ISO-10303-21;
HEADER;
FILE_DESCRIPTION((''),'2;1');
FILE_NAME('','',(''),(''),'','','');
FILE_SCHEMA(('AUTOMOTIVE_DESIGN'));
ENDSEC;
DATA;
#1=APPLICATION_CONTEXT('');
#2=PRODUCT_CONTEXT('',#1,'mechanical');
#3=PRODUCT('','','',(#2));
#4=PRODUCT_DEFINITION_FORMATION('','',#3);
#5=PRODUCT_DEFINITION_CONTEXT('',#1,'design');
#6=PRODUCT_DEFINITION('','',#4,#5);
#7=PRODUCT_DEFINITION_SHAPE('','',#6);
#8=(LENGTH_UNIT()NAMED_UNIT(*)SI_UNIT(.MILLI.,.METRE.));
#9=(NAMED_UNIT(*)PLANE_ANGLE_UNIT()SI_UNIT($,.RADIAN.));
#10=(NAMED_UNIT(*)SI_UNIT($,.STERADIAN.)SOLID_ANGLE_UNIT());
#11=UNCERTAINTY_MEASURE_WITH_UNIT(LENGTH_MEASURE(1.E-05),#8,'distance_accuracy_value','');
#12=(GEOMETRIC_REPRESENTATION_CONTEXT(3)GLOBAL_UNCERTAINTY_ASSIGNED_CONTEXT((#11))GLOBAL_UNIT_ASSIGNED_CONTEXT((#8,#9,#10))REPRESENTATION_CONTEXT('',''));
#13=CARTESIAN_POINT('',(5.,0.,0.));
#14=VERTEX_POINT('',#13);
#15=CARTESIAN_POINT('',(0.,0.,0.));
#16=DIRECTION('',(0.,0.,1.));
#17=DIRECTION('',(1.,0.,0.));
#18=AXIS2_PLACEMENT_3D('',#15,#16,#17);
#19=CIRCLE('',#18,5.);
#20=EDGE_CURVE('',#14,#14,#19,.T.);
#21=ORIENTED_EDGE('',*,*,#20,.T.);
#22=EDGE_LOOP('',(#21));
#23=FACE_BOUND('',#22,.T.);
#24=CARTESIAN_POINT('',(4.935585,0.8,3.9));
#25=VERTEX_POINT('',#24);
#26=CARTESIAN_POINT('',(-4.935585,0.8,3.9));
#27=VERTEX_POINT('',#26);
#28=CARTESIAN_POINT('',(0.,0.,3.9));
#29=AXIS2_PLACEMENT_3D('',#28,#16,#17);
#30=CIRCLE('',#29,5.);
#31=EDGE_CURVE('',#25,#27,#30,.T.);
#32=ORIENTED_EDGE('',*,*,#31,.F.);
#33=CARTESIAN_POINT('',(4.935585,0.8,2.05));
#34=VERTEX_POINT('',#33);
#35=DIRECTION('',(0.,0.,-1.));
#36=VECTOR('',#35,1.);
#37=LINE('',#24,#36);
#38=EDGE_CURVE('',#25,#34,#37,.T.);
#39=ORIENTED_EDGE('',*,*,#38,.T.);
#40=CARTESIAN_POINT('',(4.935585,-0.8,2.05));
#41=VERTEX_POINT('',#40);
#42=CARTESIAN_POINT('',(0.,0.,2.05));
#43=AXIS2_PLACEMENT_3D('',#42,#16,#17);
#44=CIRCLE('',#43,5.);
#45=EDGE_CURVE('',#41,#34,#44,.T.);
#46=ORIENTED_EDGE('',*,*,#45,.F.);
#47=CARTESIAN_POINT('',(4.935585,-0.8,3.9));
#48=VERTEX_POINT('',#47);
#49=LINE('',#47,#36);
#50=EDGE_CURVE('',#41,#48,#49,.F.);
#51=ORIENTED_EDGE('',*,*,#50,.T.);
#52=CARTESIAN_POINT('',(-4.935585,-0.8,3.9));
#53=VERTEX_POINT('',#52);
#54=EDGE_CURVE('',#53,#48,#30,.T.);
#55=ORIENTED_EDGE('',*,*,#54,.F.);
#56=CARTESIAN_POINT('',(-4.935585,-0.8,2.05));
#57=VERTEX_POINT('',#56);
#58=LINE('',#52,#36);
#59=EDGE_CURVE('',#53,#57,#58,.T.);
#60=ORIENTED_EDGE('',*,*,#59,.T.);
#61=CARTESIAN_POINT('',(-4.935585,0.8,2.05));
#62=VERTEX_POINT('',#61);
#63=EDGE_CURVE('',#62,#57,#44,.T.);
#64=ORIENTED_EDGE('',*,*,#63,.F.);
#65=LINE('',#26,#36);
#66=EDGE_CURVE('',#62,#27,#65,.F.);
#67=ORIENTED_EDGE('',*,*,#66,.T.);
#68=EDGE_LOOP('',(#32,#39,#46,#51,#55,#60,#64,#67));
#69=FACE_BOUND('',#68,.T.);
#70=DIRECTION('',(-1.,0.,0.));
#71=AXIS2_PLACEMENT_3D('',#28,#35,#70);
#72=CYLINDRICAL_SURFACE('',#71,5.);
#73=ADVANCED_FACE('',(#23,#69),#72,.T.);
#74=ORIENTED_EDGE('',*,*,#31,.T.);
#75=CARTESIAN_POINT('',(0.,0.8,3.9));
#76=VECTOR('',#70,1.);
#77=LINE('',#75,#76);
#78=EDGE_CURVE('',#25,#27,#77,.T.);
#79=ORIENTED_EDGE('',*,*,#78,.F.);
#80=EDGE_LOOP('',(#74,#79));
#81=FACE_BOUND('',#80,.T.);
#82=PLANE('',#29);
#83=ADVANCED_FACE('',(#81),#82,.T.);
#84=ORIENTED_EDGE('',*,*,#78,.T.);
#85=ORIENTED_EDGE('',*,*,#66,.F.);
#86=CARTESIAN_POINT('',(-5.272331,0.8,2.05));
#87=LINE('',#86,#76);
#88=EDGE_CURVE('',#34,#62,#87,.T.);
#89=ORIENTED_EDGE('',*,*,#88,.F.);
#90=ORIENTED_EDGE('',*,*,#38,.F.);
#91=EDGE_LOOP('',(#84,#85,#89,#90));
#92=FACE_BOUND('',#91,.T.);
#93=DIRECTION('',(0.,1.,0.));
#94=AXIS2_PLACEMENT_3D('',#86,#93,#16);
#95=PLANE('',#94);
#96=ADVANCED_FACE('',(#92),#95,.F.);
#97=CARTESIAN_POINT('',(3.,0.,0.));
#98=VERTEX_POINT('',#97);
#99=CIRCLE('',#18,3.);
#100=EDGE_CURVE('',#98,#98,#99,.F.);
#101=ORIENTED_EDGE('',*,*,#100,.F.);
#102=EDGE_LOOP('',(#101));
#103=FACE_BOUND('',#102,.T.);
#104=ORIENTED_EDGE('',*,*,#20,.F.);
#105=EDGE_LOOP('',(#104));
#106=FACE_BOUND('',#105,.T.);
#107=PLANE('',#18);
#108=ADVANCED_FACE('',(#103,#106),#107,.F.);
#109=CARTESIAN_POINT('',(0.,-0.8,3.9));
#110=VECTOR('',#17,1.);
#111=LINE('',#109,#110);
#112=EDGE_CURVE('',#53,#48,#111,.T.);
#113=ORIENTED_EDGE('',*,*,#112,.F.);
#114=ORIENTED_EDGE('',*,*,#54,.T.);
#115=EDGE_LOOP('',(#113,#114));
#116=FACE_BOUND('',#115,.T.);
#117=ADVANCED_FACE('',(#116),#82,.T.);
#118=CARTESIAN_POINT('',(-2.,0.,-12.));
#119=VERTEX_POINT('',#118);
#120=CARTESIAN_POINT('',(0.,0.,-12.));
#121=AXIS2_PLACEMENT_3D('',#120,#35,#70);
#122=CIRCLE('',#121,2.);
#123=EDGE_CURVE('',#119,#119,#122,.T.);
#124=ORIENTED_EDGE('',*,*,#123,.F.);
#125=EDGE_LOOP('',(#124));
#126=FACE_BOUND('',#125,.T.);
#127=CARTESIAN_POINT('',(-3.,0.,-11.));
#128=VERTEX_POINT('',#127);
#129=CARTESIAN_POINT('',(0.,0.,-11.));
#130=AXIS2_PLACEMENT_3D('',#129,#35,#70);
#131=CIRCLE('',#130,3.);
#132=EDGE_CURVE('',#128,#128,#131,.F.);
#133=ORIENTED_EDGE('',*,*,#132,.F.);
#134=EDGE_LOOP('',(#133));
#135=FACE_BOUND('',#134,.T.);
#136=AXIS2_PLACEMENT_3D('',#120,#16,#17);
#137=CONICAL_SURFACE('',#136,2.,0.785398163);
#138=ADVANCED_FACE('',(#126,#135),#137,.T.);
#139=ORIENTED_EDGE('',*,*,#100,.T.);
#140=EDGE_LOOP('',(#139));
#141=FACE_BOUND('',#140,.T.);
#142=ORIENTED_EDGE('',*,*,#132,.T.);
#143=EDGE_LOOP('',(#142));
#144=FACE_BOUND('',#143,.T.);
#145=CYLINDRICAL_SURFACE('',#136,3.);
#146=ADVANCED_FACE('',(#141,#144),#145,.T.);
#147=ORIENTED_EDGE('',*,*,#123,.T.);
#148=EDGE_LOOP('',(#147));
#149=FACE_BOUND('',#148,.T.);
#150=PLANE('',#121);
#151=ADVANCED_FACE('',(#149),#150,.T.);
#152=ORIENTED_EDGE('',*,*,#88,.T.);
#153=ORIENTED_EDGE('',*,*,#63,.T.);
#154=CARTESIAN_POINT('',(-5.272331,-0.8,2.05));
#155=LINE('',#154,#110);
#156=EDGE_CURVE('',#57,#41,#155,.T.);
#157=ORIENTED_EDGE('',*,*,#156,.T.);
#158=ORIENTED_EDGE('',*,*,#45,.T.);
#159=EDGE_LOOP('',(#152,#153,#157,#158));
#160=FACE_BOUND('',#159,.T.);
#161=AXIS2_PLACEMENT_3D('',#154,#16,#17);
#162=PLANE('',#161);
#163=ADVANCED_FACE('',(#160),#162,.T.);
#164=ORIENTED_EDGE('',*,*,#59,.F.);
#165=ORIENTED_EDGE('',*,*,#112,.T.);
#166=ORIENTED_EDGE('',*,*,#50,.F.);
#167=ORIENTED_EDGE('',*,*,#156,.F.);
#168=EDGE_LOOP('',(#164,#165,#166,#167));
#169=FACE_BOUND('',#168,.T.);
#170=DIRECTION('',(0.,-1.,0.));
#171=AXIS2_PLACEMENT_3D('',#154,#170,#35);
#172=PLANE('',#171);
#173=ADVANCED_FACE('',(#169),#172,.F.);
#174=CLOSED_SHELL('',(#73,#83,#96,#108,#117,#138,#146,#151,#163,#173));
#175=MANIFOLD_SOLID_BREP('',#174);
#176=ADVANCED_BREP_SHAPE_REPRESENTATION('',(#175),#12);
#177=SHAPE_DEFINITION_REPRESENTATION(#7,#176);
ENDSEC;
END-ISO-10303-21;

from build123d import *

# Parameters (mm, degrees)
SKETCH_12_R         = 5
EXTRUDE_3_DEPTH     = 3.9
SKETCH_13_R         = 3
EXTRUDE_4_DEPTH     = 12
SKETCH_20_W         = 10.681605976
SKETCH_20_H         = 1.6
CUT_EXTRUDE_8_DEPTH = 1.85
CHAMFER_1_SIZE      = 1


with BuildPart() as part:
    # Эскиз12 → Вытянуть3 (new body)
    with BuildSketch(Plane.XY):
        Circle(SKETCH_12_R)
    extrude(amount=EXTRUDE_3_DEPTH)

    # Эскиз13 → Вытянуть4 (add)
    with BuildSketch(Plane(origin=(0, 0, 0), x_dir=(-1, 0, 0), z_dir=(0, 0, -1))):
        with Locations(Location((0, 0, 0), (0, 0, 180))):
            Circle(SKETCH_13_R)
    extrude(amount=EXTRUDE_4_DEPTH)

    # Эскиз20 → Вырез-Вытянуть8 (cut)
    with BuildSketch(Plane.XY.offset(3.9)):
        with Locations((0.068471833, 0)):
            Rectangle(SKETCH_20_W, SKETCH_20_H)
    extrude(amount=-CUT_EXTRUDE_8_DEPTH, mode=Mode.SUBTRACT)

    # Фаска1
    chamfer_1_edges = [part.edges().sort_by_distance(p)[0] for p in [
        (-3, 0, -12),
    ]]
    chamfer(chamfer_1_edges, length=CHAMFER_1_SIZE)


solid = part.part
